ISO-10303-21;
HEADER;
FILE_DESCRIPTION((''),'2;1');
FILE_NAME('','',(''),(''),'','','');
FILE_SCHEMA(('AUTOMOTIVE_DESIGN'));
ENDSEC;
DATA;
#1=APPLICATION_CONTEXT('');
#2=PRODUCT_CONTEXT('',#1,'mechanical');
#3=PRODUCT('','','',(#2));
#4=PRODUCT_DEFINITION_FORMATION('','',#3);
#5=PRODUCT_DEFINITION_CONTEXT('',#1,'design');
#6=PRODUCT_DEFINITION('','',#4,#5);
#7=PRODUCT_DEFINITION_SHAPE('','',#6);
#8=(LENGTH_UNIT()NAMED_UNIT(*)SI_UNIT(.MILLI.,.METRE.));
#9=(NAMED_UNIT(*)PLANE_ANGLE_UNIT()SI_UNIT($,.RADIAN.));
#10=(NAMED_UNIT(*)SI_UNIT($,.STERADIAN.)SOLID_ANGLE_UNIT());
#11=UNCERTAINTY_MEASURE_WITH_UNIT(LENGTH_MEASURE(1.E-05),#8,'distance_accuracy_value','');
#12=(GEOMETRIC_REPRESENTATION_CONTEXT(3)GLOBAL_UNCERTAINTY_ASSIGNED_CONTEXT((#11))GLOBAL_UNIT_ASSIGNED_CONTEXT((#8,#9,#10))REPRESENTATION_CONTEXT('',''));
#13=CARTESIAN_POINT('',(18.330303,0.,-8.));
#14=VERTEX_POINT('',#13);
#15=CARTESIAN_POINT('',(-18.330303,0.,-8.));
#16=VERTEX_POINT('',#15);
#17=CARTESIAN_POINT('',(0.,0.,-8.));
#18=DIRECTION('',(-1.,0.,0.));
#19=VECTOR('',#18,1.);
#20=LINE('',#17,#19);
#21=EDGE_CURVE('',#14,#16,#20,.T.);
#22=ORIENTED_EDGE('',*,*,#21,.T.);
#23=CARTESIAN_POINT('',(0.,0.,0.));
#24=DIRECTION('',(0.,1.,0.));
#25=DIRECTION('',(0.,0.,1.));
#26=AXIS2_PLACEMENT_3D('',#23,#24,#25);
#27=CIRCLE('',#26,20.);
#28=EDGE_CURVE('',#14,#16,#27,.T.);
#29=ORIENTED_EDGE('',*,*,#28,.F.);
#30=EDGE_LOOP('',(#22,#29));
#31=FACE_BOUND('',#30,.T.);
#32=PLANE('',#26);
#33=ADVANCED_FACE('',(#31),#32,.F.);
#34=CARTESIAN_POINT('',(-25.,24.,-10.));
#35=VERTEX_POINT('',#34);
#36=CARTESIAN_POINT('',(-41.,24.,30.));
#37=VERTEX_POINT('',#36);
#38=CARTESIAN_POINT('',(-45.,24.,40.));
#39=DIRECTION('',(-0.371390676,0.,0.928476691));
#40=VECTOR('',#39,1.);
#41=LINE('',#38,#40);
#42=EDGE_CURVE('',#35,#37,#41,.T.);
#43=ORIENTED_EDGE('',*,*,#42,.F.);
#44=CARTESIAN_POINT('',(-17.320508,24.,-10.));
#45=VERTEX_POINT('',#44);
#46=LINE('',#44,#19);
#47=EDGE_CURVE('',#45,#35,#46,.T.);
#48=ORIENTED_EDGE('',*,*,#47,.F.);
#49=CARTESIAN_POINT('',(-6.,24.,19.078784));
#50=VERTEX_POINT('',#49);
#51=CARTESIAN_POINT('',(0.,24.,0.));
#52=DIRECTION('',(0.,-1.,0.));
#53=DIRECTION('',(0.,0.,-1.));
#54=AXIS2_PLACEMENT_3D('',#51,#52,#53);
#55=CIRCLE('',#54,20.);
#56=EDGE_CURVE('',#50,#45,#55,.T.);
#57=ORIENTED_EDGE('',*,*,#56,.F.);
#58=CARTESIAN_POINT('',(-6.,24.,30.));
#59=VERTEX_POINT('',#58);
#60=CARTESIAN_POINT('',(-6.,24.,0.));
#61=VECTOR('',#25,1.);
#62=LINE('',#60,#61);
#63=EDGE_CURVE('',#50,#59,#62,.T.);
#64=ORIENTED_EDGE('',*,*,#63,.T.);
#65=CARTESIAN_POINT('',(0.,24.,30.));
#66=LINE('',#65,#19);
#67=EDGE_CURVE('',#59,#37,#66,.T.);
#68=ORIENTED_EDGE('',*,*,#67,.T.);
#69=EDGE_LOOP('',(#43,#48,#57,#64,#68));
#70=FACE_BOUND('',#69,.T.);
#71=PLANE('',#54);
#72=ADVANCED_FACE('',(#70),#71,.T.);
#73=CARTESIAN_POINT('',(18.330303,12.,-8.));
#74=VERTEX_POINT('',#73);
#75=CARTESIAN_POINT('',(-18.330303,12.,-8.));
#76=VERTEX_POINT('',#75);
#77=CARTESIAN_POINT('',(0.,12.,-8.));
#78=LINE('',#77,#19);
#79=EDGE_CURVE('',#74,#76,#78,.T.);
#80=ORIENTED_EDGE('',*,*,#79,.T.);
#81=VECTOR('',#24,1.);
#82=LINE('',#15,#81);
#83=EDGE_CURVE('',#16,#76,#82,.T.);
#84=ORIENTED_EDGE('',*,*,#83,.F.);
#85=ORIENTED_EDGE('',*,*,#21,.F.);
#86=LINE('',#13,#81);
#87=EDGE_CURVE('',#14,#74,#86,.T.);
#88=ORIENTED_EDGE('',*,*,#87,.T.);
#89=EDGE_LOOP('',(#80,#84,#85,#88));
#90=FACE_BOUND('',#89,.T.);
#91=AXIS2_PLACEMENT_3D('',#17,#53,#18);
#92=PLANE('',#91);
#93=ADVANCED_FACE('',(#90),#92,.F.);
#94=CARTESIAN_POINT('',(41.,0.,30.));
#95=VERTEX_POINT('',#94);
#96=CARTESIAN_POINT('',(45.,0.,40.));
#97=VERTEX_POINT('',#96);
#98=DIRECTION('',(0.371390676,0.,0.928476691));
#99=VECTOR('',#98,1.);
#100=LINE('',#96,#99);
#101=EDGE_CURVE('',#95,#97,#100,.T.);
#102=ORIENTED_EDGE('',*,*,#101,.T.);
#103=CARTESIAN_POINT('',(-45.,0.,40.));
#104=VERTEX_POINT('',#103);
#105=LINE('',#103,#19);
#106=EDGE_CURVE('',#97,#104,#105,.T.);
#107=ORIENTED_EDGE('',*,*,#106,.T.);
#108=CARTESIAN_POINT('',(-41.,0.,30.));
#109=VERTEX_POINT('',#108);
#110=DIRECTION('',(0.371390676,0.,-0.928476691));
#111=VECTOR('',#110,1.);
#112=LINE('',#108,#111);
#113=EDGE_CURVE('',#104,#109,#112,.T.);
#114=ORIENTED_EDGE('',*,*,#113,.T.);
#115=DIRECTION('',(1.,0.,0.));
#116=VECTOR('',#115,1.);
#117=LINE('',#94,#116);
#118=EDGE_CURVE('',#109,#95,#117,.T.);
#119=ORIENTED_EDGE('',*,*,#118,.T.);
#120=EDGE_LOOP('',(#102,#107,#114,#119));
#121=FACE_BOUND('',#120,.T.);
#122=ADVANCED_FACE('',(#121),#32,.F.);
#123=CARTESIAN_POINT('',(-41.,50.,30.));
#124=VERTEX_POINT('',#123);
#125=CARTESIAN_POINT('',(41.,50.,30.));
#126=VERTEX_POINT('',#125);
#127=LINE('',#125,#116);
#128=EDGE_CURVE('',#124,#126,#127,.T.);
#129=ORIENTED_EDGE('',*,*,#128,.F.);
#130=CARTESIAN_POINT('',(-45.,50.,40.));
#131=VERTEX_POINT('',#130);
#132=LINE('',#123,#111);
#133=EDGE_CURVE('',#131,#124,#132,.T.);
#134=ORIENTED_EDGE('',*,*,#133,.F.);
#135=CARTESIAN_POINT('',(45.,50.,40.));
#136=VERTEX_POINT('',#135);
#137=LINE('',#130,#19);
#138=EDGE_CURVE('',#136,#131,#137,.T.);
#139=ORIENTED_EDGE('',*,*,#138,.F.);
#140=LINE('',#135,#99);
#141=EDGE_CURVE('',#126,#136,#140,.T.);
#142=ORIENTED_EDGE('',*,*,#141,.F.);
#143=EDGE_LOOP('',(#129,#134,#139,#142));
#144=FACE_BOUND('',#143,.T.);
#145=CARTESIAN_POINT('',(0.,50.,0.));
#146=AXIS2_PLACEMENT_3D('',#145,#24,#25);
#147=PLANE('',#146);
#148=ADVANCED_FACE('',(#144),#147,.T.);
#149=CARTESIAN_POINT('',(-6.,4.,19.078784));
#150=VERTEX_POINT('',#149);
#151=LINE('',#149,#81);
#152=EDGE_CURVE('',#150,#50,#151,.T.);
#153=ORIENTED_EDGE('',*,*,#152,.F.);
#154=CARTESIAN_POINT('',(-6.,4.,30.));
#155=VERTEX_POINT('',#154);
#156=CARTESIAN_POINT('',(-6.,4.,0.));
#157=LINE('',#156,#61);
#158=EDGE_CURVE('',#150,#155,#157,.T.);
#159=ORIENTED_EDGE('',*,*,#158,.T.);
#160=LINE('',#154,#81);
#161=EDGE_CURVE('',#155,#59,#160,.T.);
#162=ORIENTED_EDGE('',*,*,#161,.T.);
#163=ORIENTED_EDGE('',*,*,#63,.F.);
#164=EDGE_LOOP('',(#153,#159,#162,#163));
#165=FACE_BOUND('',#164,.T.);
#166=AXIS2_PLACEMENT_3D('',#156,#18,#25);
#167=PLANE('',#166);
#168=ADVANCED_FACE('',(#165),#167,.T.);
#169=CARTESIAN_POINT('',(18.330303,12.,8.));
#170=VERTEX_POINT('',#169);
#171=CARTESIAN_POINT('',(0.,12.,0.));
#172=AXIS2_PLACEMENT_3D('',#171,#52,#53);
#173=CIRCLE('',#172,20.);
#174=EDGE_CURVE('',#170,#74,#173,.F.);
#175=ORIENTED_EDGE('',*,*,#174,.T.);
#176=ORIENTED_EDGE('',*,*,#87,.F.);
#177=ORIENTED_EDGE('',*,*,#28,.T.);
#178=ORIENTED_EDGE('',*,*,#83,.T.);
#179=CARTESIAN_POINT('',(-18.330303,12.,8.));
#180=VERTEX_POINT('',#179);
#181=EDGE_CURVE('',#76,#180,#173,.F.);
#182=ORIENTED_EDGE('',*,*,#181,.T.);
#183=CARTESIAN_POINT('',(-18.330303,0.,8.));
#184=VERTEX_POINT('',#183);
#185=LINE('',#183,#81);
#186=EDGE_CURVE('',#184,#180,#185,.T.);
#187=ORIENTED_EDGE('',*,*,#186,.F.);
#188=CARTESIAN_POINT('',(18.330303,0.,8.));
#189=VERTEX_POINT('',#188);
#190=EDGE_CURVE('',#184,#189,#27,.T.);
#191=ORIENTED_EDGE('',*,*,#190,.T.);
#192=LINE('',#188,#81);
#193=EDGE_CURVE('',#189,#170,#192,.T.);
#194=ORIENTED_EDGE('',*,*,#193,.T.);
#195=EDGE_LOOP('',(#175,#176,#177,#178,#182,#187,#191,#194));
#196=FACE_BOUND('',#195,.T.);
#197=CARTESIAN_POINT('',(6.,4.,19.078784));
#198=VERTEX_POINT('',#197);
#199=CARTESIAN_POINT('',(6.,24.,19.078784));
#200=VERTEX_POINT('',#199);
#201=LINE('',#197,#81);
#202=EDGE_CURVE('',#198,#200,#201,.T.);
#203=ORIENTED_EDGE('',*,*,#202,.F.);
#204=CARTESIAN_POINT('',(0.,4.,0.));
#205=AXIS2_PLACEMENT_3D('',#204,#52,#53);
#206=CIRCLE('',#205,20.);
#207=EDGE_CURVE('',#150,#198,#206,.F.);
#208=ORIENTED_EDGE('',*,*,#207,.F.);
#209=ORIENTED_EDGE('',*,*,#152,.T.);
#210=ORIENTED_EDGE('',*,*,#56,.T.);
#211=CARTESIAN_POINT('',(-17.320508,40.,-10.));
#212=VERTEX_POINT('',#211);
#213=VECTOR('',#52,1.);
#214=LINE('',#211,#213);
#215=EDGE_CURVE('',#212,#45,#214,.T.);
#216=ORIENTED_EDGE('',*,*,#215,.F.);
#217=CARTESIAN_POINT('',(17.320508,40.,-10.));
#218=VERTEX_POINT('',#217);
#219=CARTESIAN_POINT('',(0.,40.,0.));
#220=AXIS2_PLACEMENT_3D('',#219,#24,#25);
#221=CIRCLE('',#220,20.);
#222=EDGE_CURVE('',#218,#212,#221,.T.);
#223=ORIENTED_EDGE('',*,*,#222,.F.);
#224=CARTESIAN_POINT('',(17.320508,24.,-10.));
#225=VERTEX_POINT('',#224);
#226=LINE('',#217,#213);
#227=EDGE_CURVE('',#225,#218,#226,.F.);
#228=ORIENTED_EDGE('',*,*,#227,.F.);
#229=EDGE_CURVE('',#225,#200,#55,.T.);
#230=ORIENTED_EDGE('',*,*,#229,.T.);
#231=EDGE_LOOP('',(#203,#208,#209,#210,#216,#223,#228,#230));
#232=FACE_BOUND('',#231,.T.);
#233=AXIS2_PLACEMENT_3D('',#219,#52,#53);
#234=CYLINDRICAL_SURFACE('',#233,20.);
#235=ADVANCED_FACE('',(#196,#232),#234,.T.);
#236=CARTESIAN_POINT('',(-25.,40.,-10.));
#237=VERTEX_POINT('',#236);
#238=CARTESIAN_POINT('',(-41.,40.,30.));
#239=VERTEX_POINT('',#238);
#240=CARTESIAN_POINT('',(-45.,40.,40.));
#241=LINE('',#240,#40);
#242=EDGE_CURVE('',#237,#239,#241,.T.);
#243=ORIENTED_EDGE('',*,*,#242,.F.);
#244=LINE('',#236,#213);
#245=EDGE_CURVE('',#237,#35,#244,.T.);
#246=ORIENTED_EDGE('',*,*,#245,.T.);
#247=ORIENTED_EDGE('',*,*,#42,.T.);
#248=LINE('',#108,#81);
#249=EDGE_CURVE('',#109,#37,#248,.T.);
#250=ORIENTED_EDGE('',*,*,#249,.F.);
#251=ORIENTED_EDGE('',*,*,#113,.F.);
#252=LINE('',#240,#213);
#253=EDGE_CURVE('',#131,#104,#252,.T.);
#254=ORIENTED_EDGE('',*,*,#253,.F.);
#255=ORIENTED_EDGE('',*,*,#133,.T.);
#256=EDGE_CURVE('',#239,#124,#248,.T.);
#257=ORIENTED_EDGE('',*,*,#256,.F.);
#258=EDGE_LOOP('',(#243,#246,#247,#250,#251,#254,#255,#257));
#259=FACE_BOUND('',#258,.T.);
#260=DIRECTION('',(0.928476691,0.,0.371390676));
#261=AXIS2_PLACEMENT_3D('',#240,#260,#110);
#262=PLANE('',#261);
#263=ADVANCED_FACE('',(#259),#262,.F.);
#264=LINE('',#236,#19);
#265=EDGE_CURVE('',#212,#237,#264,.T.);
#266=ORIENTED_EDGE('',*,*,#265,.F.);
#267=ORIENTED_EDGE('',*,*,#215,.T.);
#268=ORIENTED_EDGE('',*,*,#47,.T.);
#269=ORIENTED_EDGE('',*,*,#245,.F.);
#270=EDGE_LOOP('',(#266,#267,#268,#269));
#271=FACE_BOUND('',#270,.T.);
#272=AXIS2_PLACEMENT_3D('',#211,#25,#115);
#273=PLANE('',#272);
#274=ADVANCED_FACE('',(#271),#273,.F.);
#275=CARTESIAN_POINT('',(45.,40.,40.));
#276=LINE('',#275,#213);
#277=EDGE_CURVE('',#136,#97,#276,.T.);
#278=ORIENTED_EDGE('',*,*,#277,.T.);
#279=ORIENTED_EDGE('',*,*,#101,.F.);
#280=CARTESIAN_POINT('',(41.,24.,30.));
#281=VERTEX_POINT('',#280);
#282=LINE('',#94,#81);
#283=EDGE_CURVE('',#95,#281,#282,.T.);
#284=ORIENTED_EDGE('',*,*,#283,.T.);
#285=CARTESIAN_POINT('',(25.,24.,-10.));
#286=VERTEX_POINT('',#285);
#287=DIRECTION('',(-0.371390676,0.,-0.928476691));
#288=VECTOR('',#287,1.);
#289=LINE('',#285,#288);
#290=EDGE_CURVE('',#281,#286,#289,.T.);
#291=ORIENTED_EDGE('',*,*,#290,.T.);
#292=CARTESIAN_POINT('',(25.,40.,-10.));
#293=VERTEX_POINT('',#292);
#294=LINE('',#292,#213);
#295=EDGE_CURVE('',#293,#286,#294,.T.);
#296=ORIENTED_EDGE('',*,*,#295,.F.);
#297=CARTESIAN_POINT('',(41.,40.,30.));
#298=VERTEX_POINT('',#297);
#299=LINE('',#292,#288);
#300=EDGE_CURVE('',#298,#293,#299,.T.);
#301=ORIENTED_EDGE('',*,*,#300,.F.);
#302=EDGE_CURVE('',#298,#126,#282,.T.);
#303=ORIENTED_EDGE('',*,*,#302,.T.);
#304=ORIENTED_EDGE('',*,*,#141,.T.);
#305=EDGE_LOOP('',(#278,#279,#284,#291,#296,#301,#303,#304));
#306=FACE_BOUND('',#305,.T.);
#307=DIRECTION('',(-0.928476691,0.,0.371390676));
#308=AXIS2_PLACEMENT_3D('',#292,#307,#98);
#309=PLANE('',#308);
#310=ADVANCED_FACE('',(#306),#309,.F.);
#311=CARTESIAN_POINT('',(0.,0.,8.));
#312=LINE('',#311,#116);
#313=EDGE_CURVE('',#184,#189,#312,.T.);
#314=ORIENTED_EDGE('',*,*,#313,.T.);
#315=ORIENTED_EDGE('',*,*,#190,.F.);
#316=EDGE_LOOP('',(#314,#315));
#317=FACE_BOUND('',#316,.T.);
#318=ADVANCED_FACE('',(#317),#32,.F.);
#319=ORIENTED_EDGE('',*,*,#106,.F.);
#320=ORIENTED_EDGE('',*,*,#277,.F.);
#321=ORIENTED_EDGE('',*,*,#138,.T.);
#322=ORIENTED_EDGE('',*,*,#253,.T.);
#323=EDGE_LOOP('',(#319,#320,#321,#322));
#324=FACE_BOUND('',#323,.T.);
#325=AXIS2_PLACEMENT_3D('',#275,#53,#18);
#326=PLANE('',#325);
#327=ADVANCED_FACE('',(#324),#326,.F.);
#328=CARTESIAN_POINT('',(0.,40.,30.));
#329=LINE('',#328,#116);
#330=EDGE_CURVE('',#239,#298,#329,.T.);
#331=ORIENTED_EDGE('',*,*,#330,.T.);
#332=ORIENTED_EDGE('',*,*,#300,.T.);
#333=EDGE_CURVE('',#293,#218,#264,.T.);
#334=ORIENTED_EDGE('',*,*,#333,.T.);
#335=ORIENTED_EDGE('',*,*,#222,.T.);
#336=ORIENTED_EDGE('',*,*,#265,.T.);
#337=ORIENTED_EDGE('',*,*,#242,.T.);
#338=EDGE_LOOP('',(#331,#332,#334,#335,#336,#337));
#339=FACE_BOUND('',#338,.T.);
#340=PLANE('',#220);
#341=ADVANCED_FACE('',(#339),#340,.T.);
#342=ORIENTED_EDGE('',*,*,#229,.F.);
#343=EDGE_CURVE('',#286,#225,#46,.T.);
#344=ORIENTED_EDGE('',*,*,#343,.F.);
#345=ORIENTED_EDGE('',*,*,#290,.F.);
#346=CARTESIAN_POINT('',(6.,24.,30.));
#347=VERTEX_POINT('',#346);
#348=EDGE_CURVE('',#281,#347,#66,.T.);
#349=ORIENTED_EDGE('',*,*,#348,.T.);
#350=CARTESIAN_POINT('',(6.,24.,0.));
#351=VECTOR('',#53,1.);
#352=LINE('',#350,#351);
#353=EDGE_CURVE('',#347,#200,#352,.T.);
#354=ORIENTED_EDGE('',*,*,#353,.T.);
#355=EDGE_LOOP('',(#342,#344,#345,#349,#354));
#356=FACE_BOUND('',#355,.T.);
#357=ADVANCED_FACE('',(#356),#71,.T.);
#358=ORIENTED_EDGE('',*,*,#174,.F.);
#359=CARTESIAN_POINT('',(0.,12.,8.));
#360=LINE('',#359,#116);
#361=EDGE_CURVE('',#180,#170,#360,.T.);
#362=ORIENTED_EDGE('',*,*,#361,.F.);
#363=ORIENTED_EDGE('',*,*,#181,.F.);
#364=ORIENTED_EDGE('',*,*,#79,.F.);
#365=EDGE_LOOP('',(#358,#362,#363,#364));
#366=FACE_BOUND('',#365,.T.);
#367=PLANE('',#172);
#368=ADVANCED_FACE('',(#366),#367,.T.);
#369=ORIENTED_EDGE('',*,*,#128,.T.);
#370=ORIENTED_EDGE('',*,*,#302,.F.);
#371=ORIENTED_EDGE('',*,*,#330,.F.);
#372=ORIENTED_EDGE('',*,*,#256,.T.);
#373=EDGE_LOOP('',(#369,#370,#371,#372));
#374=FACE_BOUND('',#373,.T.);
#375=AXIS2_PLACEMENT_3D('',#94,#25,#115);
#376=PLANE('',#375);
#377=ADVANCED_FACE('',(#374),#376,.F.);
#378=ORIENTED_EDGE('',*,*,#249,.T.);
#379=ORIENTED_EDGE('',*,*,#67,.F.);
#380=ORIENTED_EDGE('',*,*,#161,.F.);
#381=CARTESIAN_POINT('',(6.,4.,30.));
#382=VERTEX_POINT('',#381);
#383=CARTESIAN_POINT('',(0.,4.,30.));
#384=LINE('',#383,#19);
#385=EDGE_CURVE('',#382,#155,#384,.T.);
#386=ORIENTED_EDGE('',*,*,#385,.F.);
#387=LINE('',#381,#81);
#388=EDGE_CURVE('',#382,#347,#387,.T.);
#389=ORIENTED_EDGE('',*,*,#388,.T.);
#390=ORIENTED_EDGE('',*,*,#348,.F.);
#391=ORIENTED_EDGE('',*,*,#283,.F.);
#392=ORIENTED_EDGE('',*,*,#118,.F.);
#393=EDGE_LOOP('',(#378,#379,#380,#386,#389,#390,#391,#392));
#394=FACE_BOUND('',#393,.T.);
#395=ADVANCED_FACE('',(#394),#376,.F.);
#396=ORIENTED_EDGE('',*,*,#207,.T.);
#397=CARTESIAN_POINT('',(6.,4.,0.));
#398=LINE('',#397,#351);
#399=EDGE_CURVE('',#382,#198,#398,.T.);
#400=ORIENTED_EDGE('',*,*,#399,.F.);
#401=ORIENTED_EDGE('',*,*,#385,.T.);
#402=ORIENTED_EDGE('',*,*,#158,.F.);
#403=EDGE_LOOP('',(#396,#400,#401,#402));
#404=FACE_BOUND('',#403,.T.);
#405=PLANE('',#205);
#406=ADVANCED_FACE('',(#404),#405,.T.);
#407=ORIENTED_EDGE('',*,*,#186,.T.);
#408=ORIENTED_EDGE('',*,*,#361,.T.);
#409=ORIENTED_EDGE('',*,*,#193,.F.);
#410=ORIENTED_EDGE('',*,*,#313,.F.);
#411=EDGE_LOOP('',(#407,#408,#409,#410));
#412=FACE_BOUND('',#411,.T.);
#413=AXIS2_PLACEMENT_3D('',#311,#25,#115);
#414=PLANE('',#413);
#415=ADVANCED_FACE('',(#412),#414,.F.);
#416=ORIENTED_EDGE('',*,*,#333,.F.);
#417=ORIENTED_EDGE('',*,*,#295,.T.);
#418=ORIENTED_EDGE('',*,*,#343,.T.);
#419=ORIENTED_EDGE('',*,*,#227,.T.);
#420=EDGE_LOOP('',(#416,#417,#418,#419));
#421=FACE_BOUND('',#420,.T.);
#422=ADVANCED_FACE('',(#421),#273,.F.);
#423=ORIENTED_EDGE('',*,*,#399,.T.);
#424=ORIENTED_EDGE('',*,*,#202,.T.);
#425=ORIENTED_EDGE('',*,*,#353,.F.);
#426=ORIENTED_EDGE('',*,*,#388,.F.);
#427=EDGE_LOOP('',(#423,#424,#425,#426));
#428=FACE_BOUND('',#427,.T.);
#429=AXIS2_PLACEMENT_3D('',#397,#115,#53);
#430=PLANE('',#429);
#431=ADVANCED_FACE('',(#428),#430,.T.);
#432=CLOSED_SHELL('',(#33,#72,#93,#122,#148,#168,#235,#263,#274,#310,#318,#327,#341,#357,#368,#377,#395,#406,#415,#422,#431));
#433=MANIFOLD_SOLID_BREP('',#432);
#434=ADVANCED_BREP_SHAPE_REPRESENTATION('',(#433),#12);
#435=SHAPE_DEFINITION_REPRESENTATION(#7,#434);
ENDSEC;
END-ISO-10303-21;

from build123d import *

# Parameters (mm, degrees)
SKETCH3_R           = 20
BOSS_EXTRUDE1_DEPTH = 40
BOSS_EXTRUDE2_START = -16
BOSS_EXTRUDE2_DEPTH = 16
BOSS_EXTRUDE3_START = -26
BOSS_EXTRUDE3_DEPTH = 50
BOSS_EXTRUDE4_START = 20
BOSS_EXTRUDE4_DEPTH = 20
CUT_EXTRUDE1_START  = 24
CUT_EXTRUDE1_DEPTH  = 12


with BuildPart() as part:
    # Sketch3 → Boss-Extrude1 (new body)
    with BuildSketch(Plane(origin=(0, 0, 0), x_dir=(1, 0, 0), z_dir=(0, 1, 0))):
        Circle(SKETCH3_R)
    extrude(amount=BOSS_EXTRUDE1_DEPTH)

    # Sketch4 → Boss-Extrude2 (add)
    with BuildSketch(Plane(origin=(0, 40, 0), x_dir=(1, 0, 0), z_dir=(0, 1, 0)).offset(BOSS_EXTRUDE2_START)):
        Polygon((25, 10), (45, -40), (-45, -40), (-25, 10), (-17.320508076, 10), (17.320508076, 10), align=None)
    extrude(amount=BOSS_EXTRUDE2_DEPTH)

    # Sketch6 → Boss-Extrude3 (add)
    with BuildSketch(Plane(origin=(0, 24, 0), x_dir=(-1, 0, 0), z_dir=(0, -1, 0)).offset(BOSS_EXTRUDE3_START)):
        Polygon((-41, -30), (41, -30), (45, -40), (-45, -40), align=None)
    extrude(amount=BOSS_EXTRUDE3_DEPTH)

    # Sketch7 → Boss-Extrude4 (add)
    with BuildSketch(Plane(origin=(0, 24, 0), x_dir=(-1, 0, 0), z_dir=(0, -1, 0)).offset(BOSS_EXTRUDE4_START)):
        with BuildLine():
            Line((-6, -19.078784028), (-6, -30))
            Line((-6, -30), (6, -30))
            Line((6, -30), (6, -19.078784028))
            ThreePointArc((6, -19.078784028), (0, -20), (-6, -19.078784028))
        make_face()
    extrude(amount=-BOSS_EXTRUDE4_DEPTH)

    # Sketch7<3> → Cut-Extrude1 (cut)
    with BuildSketch(Plane(origin=(0, 24, 0), x_dir=(-1, 0, 0), z_dir=(0, -1, 0)).offset(CUT_EXTRUDE1_START)):
        with BuildLine():
            ThreePointArc((-18.33030278, 8), (-20, 0), (-18.33030278, -8))
            Line((-18.33030278, -8), (18.33030278, -8))
            ThreePointArc((18.33030278, -8), (20, 0), (18.33030278, 8))
            Line((18.33030278, 8), (-18.33030278, 8))
        make_face()
    extrude(amount=-CUT_EXTRUDE1_DEPTH, mode=Mode.SUBTRACT)


solid = part.part
